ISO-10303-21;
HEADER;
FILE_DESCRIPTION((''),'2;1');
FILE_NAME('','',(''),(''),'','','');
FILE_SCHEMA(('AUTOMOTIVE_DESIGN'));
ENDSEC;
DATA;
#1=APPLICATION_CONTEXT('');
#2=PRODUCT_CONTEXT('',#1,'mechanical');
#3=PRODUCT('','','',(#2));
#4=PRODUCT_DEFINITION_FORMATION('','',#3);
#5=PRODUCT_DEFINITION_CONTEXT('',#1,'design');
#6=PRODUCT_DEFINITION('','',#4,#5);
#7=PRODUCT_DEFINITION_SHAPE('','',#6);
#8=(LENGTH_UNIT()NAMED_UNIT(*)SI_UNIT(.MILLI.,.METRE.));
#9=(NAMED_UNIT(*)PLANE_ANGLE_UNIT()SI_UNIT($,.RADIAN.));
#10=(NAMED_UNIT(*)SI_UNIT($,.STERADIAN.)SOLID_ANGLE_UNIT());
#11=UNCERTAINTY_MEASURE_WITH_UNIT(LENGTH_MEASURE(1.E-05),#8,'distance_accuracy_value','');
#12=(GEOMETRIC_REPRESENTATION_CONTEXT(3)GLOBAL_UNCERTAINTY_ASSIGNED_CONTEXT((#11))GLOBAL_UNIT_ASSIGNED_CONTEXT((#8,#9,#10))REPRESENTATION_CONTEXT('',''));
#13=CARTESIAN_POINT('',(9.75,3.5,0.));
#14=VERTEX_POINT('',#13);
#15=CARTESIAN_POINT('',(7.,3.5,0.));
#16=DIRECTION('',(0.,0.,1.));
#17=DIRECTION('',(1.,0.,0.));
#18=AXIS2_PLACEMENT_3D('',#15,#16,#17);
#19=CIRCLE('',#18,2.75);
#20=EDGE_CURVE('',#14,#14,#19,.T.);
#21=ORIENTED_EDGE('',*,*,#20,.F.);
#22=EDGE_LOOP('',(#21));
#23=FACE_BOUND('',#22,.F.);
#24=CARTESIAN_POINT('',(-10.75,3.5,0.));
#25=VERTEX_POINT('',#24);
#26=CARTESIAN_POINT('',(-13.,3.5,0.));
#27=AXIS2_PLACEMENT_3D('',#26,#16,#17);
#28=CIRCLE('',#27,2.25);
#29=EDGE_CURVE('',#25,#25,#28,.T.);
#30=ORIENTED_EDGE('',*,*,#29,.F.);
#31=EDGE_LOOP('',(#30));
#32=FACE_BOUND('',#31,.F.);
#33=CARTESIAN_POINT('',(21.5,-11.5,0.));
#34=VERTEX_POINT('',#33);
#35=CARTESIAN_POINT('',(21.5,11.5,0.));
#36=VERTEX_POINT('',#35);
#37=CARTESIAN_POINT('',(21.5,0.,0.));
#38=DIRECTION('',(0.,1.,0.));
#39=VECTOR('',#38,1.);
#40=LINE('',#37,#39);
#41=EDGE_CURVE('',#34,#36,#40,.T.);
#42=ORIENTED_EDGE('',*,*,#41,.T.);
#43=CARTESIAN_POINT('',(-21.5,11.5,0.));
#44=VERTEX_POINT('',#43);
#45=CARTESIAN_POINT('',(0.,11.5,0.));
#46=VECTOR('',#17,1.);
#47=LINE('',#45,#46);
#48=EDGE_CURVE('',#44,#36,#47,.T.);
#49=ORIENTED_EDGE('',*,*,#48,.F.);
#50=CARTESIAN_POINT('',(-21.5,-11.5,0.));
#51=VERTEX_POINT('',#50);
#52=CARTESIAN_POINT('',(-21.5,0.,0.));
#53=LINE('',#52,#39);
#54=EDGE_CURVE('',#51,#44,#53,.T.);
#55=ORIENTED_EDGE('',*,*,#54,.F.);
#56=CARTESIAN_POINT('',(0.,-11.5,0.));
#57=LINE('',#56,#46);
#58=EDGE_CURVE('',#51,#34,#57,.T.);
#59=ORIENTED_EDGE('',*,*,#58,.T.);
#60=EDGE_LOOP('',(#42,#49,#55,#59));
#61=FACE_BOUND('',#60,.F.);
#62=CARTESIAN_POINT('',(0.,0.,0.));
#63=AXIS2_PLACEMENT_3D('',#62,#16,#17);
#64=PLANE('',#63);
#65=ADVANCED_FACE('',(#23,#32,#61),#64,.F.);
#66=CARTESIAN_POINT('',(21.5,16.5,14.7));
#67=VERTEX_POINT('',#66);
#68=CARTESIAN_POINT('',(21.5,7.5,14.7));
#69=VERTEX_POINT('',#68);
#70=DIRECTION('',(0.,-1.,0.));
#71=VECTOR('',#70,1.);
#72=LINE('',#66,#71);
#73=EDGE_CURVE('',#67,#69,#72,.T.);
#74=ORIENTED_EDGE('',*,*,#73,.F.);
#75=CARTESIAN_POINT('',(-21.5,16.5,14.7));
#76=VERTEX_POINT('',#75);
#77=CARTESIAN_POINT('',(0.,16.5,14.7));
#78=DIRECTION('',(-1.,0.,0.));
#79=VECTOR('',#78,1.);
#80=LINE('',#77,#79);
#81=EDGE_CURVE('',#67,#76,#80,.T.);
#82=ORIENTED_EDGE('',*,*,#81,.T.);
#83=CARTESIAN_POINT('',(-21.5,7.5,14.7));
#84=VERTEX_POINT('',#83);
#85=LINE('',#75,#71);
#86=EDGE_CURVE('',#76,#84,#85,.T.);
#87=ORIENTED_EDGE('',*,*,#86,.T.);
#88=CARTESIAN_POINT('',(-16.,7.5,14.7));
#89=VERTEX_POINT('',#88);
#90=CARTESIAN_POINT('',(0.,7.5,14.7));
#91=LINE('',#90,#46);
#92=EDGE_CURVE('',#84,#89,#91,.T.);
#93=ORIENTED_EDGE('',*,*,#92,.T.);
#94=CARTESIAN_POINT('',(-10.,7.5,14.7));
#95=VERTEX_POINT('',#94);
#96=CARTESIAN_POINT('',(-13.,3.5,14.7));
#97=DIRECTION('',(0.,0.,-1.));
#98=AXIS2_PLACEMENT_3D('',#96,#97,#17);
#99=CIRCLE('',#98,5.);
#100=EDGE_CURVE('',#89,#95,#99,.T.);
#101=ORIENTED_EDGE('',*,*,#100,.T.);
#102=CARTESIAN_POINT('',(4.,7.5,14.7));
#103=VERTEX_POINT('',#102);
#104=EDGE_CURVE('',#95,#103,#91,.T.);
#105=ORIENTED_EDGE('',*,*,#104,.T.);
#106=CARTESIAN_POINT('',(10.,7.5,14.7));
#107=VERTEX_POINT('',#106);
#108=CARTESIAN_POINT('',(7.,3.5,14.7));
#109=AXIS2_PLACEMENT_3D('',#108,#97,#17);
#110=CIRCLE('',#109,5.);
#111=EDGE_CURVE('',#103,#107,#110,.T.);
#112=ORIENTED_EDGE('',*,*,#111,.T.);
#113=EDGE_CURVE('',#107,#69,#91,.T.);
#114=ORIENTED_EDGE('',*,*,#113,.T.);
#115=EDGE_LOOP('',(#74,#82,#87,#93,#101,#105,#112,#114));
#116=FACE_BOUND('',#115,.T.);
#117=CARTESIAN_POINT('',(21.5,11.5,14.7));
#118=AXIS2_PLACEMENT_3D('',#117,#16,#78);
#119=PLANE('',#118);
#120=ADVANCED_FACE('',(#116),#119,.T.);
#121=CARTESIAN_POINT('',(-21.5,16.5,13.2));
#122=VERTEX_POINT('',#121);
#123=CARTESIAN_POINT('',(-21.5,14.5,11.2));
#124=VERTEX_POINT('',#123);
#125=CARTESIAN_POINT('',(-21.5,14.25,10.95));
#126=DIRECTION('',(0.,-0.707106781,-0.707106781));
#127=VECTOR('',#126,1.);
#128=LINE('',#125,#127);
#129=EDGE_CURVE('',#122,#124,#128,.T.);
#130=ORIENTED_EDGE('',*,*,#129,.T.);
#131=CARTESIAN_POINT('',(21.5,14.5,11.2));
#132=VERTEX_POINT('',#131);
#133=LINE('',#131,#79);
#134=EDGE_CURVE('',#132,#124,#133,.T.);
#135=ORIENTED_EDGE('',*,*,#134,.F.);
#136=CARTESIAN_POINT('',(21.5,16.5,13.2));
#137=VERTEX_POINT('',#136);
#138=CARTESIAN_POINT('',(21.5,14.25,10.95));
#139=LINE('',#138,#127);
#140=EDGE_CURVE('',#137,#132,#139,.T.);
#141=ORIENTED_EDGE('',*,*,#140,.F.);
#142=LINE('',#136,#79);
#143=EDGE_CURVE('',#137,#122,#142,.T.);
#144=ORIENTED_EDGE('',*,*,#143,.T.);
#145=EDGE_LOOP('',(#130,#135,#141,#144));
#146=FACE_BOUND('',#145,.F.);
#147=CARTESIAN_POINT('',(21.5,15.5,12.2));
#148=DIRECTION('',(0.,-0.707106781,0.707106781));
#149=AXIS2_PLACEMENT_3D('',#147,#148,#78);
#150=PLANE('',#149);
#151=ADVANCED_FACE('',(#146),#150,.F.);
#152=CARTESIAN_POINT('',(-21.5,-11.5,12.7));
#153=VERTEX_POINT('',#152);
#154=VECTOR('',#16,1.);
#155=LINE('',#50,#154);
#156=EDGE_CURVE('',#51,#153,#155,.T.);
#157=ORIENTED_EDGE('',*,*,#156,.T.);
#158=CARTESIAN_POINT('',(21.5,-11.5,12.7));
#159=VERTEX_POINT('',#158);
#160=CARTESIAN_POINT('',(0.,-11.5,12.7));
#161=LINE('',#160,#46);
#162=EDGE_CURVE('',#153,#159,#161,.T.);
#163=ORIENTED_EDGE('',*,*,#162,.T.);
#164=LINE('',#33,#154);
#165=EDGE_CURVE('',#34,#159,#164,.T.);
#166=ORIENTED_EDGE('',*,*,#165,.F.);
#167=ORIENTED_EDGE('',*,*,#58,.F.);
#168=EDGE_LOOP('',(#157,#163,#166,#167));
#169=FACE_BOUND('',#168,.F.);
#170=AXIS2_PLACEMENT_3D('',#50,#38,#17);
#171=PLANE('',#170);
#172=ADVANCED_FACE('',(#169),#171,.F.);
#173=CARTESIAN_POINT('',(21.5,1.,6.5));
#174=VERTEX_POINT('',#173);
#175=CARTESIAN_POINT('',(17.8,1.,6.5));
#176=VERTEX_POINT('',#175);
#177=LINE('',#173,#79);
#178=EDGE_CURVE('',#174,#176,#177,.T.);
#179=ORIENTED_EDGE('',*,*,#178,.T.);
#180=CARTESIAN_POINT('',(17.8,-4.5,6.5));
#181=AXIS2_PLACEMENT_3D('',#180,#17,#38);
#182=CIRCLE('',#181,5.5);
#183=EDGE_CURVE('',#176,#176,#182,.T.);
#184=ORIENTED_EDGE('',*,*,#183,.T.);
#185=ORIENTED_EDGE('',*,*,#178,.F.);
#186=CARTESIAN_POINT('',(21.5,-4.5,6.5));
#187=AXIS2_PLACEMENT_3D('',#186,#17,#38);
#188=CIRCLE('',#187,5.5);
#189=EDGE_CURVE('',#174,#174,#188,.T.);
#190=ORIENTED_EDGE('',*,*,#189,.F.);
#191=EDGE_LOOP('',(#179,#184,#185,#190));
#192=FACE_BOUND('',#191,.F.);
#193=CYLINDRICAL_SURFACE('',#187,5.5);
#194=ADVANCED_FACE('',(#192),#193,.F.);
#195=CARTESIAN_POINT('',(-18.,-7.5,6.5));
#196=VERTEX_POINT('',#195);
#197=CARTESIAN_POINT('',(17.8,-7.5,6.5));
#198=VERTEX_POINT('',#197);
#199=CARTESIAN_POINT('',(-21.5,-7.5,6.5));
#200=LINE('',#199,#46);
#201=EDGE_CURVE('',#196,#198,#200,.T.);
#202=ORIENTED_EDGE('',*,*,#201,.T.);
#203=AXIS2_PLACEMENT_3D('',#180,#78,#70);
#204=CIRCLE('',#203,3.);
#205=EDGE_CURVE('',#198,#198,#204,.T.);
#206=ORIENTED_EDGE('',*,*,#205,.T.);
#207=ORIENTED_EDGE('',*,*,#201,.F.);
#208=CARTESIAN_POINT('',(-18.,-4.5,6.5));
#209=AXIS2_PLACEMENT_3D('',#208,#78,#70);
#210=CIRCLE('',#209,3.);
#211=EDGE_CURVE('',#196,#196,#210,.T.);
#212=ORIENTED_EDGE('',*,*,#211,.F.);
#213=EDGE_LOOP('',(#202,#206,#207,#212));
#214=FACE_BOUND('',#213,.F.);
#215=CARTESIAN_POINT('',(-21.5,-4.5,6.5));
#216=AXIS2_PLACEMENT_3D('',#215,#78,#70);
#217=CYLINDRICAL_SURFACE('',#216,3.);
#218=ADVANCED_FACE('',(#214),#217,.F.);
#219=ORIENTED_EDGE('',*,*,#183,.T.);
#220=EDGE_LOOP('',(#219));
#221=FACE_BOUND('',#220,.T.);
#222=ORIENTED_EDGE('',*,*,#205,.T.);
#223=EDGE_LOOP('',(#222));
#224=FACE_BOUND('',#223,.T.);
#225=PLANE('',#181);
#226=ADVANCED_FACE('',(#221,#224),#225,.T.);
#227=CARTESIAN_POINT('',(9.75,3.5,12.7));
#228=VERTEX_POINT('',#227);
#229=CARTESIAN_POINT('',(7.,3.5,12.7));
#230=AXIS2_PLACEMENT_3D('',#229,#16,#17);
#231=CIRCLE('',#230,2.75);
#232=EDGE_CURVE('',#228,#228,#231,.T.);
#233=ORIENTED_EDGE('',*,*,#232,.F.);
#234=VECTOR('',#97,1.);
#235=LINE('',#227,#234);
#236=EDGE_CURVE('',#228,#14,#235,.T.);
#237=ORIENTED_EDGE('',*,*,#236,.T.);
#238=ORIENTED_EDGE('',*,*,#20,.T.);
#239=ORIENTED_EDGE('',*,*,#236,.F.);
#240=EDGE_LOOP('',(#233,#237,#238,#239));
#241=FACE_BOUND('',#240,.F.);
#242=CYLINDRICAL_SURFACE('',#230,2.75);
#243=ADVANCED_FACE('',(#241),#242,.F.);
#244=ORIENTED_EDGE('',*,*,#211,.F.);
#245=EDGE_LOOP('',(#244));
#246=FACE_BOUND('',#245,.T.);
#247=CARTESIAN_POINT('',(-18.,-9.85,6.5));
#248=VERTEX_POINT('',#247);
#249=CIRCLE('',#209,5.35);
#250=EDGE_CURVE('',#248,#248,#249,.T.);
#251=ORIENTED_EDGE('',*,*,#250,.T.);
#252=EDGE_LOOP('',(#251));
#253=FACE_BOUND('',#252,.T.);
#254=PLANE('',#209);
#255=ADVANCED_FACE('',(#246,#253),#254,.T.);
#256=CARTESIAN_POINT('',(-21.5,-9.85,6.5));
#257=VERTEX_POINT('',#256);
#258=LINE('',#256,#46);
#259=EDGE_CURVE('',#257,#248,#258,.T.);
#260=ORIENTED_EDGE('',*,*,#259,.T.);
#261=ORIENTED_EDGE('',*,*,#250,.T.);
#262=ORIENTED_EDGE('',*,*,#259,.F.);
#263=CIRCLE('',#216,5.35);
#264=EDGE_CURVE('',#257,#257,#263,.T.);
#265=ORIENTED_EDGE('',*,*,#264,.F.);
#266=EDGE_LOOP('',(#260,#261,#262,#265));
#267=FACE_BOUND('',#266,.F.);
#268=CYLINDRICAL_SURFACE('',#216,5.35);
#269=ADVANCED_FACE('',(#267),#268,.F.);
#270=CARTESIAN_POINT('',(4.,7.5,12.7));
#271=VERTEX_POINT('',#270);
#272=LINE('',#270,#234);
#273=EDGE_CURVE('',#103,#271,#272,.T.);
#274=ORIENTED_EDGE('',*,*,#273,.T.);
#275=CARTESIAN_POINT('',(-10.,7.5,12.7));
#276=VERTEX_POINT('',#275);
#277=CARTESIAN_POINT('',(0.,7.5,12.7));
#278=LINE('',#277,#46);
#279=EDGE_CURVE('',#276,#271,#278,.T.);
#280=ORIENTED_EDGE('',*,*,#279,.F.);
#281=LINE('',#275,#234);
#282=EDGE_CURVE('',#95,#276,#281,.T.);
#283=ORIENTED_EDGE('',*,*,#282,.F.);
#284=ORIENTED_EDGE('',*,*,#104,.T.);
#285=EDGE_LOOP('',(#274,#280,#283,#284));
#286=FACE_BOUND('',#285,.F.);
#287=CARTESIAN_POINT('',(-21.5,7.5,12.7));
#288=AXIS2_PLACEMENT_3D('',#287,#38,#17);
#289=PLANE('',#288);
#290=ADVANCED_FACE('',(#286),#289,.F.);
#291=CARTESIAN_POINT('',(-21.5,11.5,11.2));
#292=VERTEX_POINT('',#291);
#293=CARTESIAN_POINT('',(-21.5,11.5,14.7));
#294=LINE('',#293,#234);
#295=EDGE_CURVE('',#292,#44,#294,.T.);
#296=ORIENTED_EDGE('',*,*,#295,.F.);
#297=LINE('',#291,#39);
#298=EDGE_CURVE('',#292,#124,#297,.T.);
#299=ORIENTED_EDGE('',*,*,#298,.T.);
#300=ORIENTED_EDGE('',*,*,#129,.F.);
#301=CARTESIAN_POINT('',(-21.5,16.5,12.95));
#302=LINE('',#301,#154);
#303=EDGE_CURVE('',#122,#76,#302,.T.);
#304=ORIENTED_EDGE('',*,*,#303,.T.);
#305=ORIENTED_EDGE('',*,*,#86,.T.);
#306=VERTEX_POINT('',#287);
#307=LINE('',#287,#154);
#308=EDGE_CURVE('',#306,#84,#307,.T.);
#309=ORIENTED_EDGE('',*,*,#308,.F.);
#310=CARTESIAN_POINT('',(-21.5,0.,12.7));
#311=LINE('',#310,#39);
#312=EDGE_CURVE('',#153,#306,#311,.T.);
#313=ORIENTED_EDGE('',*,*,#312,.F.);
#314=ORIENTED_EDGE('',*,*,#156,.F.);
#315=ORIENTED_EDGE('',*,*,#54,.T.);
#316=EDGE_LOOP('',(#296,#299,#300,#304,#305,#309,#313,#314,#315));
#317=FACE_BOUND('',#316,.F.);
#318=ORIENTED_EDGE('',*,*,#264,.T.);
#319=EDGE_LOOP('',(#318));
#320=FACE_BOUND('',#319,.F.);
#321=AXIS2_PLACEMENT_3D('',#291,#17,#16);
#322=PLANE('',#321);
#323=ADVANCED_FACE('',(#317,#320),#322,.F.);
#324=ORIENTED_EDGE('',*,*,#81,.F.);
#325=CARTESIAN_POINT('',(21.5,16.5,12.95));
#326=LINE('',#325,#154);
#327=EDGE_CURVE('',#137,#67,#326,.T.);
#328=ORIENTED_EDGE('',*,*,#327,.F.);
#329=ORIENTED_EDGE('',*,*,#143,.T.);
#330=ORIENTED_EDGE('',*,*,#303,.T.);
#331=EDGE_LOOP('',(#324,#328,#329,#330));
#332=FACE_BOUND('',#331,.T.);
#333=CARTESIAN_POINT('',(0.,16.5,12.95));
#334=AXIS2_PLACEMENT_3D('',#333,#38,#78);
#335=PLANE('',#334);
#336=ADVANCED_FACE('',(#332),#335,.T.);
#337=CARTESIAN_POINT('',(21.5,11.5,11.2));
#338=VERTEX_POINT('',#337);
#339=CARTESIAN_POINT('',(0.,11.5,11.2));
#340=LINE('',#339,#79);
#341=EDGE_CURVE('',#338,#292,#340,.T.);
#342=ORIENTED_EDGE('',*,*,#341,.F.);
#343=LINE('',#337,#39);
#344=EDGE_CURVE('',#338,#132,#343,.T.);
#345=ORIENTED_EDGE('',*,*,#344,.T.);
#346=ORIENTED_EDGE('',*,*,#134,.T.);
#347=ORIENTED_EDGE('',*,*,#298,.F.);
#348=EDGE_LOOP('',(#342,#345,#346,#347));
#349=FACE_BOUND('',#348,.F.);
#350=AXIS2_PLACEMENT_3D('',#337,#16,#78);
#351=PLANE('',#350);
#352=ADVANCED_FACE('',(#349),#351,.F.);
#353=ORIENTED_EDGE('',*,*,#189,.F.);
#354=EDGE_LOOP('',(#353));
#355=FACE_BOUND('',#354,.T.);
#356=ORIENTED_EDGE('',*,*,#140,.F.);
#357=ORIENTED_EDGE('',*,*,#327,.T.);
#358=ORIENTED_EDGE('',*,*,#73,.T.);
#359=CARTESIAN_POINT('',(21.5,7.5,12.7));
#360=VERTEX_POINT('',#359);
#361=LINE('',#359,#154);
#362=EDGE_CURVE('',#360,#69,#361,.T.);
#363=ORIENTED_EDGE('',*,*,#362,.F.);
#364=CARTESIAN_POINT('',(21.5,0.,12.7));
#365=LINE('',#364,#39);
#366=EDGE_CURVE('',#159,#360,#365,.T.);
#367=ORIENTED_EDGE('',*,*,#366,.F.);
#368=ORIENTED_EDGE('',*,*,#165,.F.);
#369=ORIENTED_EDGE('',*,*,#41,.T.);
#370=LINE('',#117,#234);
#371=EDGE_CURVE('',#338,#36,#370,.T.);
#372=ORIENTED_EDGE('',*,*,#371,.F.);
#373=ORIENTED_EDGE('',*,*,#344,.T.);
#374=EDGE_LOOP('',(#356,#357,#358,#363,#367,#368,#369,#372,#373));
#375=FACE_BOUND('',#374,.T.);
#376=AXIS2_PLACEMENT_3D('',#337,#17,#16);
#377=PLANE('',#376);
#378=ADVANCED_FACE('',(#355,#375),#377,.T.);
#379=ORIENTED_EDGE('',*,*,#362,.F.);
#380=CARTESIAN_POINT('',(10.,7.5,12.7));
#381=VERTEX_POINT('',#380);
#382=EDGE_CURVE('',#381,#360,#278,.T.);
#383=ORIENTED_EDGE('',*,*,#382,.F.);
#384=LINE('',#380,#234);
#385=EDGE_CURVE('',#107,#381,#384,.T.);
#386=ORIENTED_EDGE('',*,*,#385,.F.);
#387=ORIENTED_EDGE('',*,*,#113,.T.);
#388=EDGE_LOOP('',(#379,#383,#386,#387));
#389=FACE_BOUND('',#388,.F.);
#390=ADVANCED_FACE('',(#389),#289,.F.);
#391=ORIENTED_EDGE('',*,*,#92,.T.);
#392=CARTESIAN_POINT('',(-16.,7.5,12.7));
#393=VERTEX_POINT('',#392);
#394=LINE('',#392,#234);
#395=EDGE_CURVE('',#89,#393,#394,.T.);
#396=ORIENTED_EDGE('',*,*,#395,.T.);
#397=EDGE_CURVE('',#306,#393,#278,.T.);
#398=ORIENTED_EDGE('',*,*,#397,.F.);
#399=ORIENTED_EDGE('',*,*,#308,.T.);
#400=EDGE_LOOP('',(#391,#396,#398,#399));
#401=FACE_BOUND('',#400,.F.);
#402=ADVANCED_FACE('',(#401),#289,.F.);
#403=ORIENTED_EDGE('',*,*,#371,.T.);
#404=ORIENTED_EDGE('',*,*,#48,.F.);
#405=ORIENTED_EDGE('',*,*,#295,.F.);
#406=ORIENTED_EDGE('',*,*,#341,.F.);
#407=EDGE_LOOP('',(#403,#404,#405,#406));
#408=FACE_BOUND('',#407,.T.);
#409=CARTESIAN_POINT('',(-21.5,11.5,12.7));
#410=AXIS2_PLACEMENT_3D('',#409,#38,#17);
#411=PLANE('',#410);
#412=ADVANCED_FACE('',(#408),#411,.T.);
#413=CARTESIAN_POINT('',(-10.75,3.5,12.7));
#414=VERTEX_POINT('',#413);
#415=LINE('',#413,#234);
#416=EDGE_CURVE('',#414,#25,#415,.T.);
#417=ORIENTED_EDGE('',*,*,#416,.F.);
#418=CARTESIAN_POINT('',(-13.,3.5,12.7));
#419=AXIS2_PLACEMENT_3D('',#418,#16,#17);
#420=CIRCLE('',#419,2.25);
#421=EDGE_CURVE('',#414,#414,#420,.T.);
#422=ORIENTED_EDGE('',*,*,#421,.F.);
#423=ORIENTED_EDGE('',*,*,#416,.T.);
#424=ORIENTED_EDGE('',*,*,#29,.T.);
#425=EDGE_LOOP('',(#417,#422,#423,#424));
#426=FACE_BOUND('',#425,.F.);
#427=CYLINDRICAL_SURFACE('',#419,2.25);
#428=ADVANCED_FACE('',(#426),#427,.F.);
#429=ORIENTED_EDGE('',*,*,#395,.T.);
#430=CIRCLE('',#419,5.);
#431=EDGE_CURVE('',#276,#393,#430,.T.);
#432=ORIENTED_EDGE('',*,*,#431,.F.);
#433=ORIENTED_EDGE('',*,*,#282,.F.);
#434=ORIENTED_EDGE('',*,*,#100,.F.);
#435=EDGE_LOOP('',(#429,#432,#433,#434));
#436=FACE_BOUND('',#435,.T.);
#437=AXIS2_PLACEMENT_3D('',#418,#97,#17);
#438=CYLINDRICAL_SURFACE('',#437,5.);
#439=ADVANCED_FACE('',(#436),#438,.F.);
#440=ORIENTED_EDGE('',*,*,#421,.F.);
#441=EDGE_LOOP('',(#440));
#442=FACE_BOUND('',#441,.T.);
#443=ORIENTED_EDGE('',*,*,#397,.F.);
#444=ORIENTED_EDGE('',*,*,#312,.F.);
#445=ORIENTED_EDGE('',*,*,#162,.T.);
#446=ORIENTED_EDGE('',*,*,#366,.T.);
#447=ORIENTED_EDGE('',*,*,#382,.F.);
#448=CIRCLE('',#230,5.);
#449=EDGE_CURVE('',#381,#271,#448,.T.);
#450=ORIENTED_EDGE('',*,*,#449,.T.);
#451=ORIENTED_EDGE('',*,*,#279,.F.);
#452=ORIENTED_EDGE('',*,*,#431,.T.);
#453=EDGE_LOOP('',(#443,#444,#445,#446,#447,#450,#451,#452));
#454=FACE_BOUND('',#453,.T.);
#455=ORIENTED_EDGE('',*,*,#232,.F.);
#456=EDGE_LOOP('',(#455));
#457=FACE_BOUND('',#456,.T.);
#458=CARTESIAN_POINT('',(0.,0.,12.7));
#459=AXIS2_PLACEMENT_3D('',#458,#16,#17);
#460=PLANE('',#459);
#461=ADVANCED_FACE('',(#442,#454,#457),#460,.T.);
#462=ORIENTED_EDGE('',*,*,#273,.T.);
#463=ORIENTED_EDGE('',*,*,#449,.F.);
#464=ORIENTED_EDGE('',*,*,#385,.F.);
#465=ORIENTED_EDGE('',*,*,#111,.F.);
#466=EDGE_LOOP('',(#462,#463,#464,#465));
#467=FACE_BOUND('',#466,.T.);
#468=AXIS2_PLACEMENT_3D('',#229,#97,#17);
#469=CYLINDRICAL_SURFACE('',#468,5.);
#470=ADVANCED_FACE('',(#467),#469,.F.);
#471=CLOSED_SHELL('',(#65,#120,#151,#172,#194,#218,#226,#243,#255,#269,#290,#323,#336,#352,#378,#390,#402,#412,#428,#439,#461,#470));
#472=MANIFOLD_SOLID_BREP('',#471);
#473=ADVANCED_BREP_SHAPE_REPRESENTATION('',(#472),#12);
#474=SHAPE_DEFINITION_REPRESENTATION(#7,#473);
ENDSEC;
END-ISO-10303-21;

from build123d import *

# Parameters (mm, degrees)
F0_W      = 43
F0_H      = 23
F1_DEPTH  = 12.7
F2_R      = 2.75
F2_R_2    = 2.25
F3_DEPTH  = 25.4
F4_R      = 3
F5_DEPTH  = 50.8
F6_R      = 5.35
F7_DEPTH  = 3.5
F8_R      = 5.5
F9_DEPTH  = 3.7
F10_W     = 43
F10_H     = 4
F11_DEPTH = 2
F12_W     = 43
F12_H     = 3.5
F13_DEPTH = 5
F14_SIZE  = 2
F15_R     = 5
F16_DEPTH = 25


with BuildPart() as f1:
    # F0 (on Top) → F1 (new body)
    with BuildSketch(Plane.XY):
        Rectangle(F0_W, F0_H)
    extrude(amount=F1_DEPTH)

    # F2 (on face) → F3 (cut)
    with BuildSketch(Plane.XY.offset(12.7)):
        with Locations((7, 3.5)):
            Circle(F2_R)
        with Locations((-13, 3.5)):
            Circle(F2_R_2)
    extrude(amount=-F3_DEPTH, mode=Mode.SUBTRACT)

    # F4 (on face) → F5 (cut)
    with BuildSketch(Plane(origin=(-21.5, 0, 0), x_dir=(0, -1, 0), z_dir=(-1, 0, 0))):
        with Locations((4.5, 6.5)):
            Circle(F4_R)
    extrude(amount=-F5_DEPTH, mode=Mode.SUBTRACT)

    # F6 (on face) → F7 (cut)
    with BuildSketch(Plane(origin=(-21.5, 0, 0), x_dir=(0, -1, 0), z_dir=(-1, 0, 0))):
        with Locations((4.5, 6.5)):
            Circle(F6_R)
    extrude(amount=-F7_DEPTH, mode=Mode.SUBTRACT)

    # F8 (on face) → F9 (cut)
    with BuildSketch(Plane.YZ.offset(21.5)):
        with Locations((-4.5, 6.5)):
            Circle(F8_R)
    extrude(amount=-F9_DEPTH, mode=Mode.SUBTRACT)

    # F10 (on face) → F11 (join)
    with BuildSketch(Plane.XY.offset(12.7)):
        with Locations((0, 9.5)):
            Rectangle(F10_W, F10_H)
    extrude(amount=F11_DEPTH)

    # F12 (on face) → F13 (join)
    with BuildSketch(Plane(origin=(0, 11.5, 0), x_dir=(-1, 0, 0), z_dir=(0, 1, 0))):
        with Locations((0, 12.95)):
            Rectangle(F12_W, F12_H)
    extrude(amount=F13_DEPTH)

    # F14
    f14_edges = [f1.edges().sort_by_distance(p)[0] for p in [
        (0, 16.5, 11.2),
    ]]
    chamfer(f14_edges, length=F14_SIZE)

    # F15 (on face) → F16 (cut)
    with BuildSketch(Plane.XY.offset(12.7)):
        with Locations((-13, 3.5)):
            Circle(F15_R)
        with Locations((7, 3.5)):
            Circle(F15_R)
    extrude(amount=F16_DEPTH, mode=Mode.SUBTRACT)


solid = f1.part
